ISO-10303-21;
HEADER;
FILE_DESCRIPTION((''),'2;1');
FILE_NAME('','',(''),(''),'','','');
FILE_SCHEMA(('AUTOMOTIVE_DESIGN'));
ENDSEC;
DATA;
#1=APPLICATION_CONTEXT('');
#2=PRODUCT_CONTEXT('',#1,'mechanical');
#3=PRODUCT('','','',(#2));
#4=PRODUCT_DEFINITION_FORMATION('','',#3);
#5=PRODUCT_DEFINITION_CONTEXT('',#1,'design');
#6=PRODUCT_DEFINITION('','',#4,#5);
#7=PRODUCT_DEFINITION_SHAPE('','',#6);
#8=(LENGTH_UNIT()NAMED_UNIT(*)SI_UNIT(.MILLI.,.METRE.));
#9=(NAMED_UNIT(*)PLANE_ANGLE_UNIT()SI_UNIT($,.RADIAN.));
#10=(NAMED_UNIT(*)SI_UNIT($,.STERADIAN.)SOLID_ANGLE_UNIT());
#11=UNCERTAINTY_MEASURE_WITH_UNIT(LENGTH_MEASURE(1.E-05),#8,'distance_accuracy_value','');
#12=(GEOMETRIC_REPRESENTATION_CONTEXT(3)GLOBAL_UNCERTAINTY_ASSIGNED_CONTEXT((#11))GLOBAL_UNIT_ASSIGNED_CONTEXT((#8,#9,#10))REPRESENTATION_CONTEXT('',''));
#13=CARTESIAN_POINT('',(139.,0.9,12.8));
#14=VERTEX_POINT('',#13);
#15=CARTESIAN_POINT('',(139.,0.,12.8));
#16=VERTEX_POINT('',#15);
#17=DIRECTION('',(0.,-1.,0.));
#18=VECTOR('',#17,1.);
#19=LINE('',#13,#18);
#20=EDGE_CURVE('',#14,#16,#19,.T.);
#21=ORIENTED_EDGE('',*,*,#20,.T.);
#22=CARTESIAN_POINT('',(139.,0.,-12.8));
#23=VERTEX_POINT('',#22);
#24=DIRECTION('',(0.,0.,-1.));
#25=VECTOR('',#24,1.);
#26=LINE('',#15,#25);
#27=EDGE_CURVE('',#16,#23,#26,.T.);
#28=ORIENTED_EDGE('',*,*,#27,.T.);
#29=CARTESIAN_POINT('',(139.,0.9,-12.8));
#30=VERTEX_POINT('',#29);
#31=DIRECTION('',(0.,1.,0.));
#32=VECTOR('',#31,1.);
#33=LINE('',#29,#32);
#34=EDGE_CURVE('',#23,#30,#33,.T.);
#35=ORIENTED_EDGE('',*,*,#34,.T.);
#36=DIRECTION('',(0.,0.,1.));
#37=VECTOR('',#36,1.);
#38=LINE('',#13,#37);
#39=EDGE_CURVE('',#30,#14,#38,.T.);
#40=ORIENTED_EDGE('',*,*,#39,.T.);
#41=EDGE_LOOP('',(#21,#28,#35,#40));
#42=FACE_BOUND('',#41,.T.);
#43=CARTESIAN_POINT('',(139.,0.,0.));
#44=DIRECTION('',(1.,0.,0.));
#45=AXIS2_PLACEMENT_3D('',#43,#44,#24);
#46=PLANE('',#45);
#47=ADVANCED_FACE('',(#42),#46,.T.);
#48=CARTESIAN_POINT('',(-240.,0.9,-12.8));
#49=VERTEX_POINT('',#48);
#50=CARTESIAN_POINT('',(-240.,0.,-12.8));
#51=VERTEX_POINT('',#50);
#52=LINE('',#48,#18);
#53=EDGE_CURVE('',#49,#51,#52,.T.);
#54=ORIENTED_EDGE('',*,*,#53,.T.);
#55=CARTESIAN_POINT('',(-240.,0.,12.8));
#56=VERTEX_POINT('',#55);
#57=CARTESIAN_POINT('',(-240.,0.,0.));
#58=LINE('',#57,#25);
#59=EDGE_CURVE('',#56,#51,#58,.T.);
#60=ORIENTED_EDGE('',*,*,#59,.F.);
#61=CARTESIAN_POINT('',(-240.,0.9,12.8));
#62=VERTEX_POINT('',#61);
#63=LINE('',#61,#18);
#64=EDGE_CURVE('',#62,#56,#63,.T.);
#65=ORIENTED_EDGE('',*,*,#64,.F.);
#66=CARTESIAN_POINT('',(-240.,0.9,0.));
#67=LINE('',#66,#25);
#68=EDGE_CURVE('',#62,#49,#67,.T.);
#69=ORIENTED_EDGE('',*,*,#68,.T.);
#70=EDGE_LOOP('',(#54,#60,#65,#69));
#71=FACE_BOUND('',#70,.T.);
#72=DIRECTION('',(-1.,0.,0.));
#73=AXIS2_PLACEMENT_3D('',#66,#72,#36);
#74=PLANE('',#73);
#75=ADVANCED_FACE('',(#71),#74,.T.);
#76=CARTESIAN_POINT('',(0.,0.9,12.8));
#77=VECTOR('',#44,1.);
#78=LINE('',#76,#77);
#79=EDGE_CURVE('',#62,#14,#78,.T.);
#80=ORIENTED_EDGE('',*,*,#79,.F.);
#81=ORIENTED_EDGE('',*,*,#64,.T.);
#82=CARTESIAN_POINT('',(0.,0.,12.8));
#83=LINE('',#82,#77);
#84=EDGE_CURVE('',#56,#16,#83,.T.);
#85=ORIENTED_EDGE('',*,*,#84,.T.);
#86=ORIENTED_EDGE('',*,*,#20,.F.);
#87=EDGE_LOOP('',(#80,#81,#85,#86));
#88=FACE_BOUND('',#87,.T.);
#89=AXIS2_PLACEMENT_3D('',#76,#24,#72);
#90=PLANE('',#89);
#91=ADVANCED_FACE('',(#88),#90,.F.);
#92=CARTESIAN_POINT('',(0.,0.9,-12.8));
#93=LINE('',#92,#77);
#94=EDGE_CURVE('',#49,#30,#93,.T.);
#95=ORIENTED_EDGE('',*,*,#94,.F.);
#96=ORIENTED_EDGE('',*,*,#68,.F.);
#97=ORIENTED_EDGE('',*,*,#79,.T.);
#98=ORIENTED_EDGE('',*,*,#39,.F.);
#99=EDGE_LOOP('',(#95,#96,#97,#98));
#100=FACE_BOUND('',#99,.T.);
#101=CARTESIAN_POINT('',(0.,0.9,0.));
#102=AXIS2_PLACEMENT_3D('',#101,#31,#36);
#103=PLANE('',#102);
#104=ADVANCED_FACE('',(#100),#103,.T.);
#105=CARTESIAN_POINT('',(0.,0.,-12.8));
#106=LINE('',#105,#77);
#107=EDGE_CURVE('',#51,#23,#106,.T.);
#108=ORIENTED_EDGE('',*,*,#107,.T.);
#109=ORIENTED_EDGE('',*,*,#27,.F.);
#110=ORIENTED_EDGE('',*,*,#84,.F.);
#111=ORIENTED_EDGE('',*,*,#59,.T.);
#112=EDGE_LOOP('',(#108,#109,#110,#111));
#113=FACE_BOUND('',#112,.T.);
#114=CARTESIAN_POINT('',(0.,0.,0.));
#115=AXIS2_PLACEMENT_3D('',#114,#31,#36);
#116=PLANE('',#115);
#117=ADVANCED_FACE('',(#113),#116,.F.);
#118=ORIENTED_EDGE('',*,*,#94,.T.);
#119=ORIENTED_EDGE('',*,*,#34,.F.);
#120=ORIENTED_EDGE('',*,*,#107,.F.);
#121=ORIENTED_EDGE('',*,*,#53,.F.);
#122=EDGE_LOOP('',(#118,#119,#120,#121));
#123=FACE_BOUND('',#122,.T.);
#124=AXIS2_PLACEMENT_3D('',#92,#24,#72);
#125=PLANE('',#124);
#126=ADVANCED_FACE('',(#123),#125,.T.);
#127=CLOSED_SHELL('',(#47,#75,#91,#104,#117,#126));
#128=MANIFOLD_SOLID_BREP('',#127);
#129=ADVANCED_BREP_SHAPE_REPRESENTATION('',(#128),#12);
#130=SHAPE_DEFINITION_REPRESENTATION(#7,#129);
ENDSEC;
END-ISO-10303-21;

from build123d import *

# Parameters (mm, degrees)
SKETCH1_R           = 3.8
BOSS_EXTRUDE1_DEPTH = 0.9
SKETCH2_W           = 25.6
SKETCH2_H           = 0.9
CUT_EXTRUDE1_DEPTH  = 101


with BuildPart() as part:
    # Sketch1 → Boss-Extrude1 (new body)
    with BuildSketch(Plane(origin=(0, 0, 0), x_dir=(1, 0, 0), z_dir=(0, 1, 0))):
        with BuildLine():
            Line((-240, 12.8), (-240, -12.8))
            Line((-240, -12.8), (234.7, -12.8))
            ThreePointArc((234.7, -12.8), (238.622610201, -6.926940161), (240, 0))
            ThreePointArc((240, 0), (238.622610201, 6.926940161), (234.7, 12.8))
            Line((234.7, 12.8), (-240, 12.8))
        make_face()
        with Locations((230.9, 0)):
            Circle(SKETCH1_R, mode=Mode.SUBTRACT)
    extrude(amount=BOSS_EXTRUDE1_DEPTH)

    # Sketch2 → Cut-Extrude1 (cut)
    with BuildSketch(Plane(origin=(240, 0, 0), x_dir=(0, 0, -1), z_dir=(1, 0, 0))):
        with Locations((0, 0.45)):
            Rectangle(SKETCH2_W, SKETCH2_H)
    extrude(amount=-CUT_EXTRUDE1_DEPTH, mode=Mode.SUBTRACT)


solid = part.part
